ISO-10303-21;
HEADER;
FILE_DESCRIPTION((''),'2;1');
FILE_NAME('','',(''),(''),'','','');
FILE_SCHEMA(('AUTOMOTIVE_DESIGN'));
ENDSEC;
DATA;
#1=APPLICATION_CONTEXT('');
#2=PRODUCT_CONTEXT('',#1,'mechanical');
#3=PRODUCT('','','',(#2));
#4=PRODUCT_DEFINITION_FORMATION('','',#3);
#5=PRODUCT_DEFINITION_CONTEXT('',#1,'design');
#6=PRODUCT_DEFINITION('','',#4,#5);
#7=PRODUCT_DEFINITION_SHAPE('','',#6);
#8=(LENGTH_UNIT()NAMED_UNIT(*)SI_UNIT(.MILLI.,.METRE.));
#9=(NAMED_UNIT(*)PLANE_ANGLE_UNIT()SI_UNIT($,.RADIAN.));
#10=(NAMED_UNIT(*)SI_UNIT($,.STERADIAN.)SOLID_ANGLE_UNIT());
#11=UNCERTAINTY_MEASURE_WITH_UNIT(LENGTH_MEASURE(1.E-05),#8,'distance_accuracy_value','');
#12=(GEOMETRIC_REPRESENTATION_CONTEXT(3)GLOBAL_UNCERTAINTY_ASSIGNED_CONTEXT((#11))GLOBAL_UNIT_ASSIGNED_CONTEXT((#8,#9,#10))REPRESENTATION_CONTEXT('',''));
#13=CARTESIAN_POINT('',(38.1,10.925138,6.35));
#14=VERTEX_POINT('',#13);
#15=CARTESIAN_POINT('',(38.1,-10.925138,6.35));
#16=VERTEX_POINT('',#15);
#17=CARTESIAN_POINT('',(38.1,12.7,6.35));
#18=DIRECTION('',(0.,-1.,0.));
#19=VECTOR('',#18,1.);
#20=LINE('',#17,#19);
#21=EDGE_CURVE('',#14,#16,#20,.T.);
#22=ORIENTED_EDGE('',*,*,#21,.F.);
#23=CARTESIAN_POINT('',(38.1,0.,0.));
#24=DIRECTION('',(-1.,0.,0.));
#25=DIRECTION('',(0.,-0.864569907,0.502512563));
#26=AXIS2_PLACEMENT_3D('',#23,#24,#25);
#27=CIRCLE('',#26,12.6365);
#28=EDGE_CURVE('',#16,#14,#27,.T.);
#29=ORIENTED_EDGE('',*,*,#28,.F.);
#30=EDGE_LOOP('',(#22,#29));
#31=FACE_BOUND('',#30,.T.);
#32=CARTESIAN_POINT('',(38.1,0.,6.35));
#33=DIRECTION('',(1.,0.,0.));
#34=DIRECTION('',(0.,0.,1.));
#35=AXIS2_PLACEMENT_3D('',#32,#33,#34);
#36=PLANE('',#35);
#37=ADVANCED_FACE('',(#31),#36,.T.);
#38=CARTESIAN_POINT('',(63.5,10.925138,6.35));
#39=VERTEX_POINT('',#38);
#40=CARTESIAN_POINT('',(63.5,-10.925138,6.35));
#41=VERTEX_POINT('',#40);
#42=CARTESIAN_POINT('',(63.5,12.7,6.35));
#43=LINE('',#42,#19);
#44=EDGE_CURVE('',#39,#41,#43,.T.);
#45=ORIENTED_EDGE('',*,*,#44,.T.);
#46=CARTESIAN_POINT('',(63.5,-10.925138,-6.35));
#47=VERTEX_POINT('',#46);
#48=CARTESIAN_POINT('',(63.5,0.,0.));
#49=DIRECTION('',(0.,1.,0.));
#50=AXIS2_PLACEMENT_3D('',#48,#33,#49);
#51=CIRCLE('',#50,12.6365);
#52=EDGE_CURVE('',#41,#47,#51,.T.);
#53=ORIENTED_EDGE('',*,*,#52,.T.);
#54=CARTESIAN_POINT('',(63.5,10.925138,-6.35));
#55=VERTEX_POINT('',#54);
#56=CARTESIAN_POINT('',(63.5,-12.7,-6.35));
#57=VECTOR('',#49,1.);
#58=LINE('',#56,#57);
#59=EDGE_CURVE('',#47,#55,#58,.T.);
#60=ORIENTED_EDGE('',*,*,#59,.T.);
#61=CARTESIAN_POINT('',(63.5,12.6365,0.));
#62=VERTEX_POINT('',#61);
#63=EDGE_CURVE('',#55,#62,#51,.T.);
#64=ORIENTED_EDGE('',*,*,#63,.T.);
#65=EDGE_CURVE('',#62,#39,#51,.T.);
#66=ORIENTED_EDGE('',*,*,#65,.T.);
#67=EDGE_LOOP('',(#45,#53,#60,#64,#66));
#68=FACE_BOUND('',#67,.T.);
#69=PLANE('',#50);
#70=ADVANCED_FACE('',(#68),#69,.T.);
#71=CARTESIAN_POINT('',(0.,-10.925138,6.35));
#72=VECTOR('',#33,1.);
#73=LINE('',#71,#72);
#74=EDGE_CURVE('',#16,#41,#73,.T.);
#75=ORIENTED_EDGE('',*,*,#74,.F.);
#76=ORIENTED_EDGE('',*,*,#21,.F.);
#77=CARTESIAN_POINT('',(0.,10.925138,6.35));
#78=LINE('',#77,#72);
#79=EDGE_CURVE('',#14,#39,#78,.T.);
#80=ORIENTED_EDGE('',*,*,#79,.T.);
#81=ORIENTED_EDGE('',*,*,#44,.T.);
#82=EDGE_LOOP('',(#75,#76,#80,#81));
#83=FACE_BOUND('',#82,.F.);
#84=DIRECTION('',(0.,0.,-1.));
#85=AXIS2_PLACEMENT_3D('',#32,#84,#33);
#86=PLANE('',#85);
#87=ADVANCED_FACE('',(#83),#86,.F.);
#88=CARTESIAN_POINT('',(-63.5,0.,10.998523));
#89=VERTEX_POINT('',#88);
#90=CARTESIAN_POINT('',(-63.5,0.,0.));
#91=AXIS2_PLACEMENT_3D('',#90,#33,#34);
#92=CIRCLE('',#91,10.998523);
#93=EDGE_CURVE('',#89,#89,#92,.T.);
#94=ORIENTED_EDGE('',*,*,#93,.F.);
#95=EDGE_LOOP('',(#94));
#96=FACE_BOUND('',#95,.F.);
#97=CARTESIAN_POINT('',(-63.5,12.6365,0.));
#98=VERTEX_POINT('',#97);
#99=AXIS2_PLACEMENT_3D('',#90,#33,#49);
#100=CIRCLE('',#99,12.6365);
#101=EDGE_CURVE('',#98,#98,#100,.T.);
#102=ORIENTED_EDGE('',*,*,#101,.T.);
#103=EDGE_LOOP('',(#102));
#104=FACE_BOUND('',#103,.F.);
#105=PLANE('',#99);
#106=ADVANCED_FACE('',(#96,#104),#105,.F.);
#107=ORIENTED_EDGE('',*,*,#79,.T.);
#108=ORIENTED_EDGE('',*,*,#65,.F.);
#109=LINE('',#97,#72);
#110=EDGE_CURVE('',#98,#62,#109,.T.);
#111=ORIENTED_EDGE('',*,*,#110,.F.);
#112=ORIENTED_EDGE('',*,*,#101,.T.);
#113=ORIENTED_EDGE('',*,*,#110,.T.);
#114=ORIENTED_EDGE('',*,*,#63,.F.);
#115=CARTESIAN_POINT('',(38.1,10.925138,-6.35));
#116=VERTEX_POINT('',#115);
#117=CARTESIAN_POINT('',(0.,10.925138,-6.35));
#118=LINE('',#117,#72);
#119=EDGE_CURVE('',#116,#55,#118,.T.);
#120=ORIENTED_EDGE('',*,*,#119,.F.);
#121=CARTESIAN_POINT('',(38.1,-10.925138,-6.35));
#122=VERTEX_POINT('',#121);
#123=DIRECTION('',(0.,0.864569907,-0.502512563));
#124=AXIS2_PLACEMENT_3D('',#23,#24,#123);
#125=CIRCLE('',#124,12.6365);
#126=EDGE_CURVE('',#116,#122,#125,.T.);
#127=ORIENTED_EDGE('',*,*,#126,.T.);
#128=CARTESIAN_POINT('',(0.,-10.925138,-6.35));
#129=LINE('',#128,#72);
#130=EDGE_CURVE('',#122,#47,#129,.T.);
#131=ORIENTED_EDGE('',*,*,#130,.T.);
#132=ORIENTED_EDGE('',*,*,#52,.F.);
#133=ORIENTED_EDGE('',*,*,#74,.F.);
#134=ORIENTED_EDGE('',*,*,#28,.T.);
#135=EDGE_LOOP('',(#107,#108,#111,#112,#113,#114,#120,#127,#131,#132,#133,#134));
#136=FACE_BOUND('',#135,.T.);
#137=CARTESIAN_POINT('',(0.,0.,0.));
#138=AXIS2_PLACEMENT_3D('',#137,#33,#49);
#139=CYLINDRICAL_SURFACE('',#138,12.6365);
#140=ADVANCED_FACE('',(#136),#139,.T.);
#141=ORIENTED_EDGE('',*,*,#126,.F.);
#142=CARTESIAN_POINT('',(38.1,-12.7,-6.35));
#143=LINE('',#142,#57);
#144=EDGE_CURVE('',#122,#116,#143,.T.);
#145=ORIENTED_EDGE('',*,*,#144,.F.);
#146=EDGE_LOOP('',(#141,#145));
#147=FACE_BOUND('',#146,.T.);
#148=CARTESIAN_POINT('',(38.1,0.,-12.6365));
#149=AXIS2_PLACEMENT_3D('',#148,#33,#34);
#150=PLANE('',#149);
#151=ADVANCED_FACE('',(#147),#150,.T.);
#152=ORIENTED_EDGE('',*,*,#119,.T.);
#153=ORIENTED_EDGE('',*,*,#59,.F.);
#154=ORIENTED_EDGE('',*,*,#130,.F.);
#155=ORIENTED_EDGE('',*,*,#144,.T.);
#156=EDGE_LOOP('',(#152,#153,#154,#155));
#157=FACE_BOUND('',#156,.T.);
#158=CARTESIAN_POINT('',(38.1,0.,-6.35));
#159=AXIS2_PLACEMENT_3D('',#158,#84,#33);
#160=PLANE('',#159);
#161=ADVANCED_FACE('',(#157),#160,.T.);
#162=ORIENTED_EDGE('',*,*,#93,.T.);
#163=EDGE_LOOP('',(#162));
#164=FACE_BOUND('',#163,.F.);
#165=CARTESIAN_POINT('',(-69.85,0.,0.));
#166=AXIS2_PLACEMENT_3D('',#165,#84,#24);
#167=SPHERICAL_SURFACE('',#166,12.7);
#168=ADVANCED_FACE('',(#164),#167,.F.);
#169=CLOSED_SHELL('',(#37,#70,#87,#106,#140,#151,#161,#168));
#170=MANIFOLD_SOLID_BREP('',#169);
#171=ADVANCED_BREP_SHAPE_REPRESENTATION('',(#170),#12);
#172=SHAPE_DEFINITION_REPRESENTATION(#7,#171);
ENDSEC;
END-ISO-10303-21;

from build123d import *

# Parameters (mm, degrees)
F0_R     = 12.6365
F1_DEPTH = 63.5
F2_W     = 25.4
F2_H     = 6.2865
F3_DEPTH = 12.7
F4_W     = 25.4
F4_H     = 6.2865
F5_DEPTH = 12.7


with BuildPart() as f1:
    # F0 (on Right) → F1 (new body, symmetric)
    with BuildSketch(Plane.YZ):
        Circle(F0_R)
    extrude(amount=F1_DEPTH, both=True)

    # F2 (on Front) → F3 (cut, symmetric)
    with BuildSketch(Plane.XZ):
        with Locations((50.8, 9.49325)):
            Rectangle(F2_W, F2_H)
    extrude(amount=F3_DEPTH, both=True, mode=Mode.SUBTRACT)

    # F4 (on Front) → F5 (cut, symmetric)
    with BuildSketch(Plane.XZ):
        with Locations((50.8, -9.49325)):
            Rectangle(F4_W, F4_H)
    extrude(amount=F5_DEPTH, both=True, mode=Mode.SUBTRACT)

    # F6 (on Front) → F7 (revolve, cut)
    with BuildSketch(Plane.XZ):
        with BuildLine():
            Line((-69.85, -12.7), (-69.85, 12.7))
            ThreePointArc((-69.85, 12.7), (-82.55, 0), (-69.85, -12.7))
        make_face()
    revolve(axis=Axis((-69.85, 0, 0), (0, 0, -1)), mode=Mode.SUBTRACT)


solid = f1.part
